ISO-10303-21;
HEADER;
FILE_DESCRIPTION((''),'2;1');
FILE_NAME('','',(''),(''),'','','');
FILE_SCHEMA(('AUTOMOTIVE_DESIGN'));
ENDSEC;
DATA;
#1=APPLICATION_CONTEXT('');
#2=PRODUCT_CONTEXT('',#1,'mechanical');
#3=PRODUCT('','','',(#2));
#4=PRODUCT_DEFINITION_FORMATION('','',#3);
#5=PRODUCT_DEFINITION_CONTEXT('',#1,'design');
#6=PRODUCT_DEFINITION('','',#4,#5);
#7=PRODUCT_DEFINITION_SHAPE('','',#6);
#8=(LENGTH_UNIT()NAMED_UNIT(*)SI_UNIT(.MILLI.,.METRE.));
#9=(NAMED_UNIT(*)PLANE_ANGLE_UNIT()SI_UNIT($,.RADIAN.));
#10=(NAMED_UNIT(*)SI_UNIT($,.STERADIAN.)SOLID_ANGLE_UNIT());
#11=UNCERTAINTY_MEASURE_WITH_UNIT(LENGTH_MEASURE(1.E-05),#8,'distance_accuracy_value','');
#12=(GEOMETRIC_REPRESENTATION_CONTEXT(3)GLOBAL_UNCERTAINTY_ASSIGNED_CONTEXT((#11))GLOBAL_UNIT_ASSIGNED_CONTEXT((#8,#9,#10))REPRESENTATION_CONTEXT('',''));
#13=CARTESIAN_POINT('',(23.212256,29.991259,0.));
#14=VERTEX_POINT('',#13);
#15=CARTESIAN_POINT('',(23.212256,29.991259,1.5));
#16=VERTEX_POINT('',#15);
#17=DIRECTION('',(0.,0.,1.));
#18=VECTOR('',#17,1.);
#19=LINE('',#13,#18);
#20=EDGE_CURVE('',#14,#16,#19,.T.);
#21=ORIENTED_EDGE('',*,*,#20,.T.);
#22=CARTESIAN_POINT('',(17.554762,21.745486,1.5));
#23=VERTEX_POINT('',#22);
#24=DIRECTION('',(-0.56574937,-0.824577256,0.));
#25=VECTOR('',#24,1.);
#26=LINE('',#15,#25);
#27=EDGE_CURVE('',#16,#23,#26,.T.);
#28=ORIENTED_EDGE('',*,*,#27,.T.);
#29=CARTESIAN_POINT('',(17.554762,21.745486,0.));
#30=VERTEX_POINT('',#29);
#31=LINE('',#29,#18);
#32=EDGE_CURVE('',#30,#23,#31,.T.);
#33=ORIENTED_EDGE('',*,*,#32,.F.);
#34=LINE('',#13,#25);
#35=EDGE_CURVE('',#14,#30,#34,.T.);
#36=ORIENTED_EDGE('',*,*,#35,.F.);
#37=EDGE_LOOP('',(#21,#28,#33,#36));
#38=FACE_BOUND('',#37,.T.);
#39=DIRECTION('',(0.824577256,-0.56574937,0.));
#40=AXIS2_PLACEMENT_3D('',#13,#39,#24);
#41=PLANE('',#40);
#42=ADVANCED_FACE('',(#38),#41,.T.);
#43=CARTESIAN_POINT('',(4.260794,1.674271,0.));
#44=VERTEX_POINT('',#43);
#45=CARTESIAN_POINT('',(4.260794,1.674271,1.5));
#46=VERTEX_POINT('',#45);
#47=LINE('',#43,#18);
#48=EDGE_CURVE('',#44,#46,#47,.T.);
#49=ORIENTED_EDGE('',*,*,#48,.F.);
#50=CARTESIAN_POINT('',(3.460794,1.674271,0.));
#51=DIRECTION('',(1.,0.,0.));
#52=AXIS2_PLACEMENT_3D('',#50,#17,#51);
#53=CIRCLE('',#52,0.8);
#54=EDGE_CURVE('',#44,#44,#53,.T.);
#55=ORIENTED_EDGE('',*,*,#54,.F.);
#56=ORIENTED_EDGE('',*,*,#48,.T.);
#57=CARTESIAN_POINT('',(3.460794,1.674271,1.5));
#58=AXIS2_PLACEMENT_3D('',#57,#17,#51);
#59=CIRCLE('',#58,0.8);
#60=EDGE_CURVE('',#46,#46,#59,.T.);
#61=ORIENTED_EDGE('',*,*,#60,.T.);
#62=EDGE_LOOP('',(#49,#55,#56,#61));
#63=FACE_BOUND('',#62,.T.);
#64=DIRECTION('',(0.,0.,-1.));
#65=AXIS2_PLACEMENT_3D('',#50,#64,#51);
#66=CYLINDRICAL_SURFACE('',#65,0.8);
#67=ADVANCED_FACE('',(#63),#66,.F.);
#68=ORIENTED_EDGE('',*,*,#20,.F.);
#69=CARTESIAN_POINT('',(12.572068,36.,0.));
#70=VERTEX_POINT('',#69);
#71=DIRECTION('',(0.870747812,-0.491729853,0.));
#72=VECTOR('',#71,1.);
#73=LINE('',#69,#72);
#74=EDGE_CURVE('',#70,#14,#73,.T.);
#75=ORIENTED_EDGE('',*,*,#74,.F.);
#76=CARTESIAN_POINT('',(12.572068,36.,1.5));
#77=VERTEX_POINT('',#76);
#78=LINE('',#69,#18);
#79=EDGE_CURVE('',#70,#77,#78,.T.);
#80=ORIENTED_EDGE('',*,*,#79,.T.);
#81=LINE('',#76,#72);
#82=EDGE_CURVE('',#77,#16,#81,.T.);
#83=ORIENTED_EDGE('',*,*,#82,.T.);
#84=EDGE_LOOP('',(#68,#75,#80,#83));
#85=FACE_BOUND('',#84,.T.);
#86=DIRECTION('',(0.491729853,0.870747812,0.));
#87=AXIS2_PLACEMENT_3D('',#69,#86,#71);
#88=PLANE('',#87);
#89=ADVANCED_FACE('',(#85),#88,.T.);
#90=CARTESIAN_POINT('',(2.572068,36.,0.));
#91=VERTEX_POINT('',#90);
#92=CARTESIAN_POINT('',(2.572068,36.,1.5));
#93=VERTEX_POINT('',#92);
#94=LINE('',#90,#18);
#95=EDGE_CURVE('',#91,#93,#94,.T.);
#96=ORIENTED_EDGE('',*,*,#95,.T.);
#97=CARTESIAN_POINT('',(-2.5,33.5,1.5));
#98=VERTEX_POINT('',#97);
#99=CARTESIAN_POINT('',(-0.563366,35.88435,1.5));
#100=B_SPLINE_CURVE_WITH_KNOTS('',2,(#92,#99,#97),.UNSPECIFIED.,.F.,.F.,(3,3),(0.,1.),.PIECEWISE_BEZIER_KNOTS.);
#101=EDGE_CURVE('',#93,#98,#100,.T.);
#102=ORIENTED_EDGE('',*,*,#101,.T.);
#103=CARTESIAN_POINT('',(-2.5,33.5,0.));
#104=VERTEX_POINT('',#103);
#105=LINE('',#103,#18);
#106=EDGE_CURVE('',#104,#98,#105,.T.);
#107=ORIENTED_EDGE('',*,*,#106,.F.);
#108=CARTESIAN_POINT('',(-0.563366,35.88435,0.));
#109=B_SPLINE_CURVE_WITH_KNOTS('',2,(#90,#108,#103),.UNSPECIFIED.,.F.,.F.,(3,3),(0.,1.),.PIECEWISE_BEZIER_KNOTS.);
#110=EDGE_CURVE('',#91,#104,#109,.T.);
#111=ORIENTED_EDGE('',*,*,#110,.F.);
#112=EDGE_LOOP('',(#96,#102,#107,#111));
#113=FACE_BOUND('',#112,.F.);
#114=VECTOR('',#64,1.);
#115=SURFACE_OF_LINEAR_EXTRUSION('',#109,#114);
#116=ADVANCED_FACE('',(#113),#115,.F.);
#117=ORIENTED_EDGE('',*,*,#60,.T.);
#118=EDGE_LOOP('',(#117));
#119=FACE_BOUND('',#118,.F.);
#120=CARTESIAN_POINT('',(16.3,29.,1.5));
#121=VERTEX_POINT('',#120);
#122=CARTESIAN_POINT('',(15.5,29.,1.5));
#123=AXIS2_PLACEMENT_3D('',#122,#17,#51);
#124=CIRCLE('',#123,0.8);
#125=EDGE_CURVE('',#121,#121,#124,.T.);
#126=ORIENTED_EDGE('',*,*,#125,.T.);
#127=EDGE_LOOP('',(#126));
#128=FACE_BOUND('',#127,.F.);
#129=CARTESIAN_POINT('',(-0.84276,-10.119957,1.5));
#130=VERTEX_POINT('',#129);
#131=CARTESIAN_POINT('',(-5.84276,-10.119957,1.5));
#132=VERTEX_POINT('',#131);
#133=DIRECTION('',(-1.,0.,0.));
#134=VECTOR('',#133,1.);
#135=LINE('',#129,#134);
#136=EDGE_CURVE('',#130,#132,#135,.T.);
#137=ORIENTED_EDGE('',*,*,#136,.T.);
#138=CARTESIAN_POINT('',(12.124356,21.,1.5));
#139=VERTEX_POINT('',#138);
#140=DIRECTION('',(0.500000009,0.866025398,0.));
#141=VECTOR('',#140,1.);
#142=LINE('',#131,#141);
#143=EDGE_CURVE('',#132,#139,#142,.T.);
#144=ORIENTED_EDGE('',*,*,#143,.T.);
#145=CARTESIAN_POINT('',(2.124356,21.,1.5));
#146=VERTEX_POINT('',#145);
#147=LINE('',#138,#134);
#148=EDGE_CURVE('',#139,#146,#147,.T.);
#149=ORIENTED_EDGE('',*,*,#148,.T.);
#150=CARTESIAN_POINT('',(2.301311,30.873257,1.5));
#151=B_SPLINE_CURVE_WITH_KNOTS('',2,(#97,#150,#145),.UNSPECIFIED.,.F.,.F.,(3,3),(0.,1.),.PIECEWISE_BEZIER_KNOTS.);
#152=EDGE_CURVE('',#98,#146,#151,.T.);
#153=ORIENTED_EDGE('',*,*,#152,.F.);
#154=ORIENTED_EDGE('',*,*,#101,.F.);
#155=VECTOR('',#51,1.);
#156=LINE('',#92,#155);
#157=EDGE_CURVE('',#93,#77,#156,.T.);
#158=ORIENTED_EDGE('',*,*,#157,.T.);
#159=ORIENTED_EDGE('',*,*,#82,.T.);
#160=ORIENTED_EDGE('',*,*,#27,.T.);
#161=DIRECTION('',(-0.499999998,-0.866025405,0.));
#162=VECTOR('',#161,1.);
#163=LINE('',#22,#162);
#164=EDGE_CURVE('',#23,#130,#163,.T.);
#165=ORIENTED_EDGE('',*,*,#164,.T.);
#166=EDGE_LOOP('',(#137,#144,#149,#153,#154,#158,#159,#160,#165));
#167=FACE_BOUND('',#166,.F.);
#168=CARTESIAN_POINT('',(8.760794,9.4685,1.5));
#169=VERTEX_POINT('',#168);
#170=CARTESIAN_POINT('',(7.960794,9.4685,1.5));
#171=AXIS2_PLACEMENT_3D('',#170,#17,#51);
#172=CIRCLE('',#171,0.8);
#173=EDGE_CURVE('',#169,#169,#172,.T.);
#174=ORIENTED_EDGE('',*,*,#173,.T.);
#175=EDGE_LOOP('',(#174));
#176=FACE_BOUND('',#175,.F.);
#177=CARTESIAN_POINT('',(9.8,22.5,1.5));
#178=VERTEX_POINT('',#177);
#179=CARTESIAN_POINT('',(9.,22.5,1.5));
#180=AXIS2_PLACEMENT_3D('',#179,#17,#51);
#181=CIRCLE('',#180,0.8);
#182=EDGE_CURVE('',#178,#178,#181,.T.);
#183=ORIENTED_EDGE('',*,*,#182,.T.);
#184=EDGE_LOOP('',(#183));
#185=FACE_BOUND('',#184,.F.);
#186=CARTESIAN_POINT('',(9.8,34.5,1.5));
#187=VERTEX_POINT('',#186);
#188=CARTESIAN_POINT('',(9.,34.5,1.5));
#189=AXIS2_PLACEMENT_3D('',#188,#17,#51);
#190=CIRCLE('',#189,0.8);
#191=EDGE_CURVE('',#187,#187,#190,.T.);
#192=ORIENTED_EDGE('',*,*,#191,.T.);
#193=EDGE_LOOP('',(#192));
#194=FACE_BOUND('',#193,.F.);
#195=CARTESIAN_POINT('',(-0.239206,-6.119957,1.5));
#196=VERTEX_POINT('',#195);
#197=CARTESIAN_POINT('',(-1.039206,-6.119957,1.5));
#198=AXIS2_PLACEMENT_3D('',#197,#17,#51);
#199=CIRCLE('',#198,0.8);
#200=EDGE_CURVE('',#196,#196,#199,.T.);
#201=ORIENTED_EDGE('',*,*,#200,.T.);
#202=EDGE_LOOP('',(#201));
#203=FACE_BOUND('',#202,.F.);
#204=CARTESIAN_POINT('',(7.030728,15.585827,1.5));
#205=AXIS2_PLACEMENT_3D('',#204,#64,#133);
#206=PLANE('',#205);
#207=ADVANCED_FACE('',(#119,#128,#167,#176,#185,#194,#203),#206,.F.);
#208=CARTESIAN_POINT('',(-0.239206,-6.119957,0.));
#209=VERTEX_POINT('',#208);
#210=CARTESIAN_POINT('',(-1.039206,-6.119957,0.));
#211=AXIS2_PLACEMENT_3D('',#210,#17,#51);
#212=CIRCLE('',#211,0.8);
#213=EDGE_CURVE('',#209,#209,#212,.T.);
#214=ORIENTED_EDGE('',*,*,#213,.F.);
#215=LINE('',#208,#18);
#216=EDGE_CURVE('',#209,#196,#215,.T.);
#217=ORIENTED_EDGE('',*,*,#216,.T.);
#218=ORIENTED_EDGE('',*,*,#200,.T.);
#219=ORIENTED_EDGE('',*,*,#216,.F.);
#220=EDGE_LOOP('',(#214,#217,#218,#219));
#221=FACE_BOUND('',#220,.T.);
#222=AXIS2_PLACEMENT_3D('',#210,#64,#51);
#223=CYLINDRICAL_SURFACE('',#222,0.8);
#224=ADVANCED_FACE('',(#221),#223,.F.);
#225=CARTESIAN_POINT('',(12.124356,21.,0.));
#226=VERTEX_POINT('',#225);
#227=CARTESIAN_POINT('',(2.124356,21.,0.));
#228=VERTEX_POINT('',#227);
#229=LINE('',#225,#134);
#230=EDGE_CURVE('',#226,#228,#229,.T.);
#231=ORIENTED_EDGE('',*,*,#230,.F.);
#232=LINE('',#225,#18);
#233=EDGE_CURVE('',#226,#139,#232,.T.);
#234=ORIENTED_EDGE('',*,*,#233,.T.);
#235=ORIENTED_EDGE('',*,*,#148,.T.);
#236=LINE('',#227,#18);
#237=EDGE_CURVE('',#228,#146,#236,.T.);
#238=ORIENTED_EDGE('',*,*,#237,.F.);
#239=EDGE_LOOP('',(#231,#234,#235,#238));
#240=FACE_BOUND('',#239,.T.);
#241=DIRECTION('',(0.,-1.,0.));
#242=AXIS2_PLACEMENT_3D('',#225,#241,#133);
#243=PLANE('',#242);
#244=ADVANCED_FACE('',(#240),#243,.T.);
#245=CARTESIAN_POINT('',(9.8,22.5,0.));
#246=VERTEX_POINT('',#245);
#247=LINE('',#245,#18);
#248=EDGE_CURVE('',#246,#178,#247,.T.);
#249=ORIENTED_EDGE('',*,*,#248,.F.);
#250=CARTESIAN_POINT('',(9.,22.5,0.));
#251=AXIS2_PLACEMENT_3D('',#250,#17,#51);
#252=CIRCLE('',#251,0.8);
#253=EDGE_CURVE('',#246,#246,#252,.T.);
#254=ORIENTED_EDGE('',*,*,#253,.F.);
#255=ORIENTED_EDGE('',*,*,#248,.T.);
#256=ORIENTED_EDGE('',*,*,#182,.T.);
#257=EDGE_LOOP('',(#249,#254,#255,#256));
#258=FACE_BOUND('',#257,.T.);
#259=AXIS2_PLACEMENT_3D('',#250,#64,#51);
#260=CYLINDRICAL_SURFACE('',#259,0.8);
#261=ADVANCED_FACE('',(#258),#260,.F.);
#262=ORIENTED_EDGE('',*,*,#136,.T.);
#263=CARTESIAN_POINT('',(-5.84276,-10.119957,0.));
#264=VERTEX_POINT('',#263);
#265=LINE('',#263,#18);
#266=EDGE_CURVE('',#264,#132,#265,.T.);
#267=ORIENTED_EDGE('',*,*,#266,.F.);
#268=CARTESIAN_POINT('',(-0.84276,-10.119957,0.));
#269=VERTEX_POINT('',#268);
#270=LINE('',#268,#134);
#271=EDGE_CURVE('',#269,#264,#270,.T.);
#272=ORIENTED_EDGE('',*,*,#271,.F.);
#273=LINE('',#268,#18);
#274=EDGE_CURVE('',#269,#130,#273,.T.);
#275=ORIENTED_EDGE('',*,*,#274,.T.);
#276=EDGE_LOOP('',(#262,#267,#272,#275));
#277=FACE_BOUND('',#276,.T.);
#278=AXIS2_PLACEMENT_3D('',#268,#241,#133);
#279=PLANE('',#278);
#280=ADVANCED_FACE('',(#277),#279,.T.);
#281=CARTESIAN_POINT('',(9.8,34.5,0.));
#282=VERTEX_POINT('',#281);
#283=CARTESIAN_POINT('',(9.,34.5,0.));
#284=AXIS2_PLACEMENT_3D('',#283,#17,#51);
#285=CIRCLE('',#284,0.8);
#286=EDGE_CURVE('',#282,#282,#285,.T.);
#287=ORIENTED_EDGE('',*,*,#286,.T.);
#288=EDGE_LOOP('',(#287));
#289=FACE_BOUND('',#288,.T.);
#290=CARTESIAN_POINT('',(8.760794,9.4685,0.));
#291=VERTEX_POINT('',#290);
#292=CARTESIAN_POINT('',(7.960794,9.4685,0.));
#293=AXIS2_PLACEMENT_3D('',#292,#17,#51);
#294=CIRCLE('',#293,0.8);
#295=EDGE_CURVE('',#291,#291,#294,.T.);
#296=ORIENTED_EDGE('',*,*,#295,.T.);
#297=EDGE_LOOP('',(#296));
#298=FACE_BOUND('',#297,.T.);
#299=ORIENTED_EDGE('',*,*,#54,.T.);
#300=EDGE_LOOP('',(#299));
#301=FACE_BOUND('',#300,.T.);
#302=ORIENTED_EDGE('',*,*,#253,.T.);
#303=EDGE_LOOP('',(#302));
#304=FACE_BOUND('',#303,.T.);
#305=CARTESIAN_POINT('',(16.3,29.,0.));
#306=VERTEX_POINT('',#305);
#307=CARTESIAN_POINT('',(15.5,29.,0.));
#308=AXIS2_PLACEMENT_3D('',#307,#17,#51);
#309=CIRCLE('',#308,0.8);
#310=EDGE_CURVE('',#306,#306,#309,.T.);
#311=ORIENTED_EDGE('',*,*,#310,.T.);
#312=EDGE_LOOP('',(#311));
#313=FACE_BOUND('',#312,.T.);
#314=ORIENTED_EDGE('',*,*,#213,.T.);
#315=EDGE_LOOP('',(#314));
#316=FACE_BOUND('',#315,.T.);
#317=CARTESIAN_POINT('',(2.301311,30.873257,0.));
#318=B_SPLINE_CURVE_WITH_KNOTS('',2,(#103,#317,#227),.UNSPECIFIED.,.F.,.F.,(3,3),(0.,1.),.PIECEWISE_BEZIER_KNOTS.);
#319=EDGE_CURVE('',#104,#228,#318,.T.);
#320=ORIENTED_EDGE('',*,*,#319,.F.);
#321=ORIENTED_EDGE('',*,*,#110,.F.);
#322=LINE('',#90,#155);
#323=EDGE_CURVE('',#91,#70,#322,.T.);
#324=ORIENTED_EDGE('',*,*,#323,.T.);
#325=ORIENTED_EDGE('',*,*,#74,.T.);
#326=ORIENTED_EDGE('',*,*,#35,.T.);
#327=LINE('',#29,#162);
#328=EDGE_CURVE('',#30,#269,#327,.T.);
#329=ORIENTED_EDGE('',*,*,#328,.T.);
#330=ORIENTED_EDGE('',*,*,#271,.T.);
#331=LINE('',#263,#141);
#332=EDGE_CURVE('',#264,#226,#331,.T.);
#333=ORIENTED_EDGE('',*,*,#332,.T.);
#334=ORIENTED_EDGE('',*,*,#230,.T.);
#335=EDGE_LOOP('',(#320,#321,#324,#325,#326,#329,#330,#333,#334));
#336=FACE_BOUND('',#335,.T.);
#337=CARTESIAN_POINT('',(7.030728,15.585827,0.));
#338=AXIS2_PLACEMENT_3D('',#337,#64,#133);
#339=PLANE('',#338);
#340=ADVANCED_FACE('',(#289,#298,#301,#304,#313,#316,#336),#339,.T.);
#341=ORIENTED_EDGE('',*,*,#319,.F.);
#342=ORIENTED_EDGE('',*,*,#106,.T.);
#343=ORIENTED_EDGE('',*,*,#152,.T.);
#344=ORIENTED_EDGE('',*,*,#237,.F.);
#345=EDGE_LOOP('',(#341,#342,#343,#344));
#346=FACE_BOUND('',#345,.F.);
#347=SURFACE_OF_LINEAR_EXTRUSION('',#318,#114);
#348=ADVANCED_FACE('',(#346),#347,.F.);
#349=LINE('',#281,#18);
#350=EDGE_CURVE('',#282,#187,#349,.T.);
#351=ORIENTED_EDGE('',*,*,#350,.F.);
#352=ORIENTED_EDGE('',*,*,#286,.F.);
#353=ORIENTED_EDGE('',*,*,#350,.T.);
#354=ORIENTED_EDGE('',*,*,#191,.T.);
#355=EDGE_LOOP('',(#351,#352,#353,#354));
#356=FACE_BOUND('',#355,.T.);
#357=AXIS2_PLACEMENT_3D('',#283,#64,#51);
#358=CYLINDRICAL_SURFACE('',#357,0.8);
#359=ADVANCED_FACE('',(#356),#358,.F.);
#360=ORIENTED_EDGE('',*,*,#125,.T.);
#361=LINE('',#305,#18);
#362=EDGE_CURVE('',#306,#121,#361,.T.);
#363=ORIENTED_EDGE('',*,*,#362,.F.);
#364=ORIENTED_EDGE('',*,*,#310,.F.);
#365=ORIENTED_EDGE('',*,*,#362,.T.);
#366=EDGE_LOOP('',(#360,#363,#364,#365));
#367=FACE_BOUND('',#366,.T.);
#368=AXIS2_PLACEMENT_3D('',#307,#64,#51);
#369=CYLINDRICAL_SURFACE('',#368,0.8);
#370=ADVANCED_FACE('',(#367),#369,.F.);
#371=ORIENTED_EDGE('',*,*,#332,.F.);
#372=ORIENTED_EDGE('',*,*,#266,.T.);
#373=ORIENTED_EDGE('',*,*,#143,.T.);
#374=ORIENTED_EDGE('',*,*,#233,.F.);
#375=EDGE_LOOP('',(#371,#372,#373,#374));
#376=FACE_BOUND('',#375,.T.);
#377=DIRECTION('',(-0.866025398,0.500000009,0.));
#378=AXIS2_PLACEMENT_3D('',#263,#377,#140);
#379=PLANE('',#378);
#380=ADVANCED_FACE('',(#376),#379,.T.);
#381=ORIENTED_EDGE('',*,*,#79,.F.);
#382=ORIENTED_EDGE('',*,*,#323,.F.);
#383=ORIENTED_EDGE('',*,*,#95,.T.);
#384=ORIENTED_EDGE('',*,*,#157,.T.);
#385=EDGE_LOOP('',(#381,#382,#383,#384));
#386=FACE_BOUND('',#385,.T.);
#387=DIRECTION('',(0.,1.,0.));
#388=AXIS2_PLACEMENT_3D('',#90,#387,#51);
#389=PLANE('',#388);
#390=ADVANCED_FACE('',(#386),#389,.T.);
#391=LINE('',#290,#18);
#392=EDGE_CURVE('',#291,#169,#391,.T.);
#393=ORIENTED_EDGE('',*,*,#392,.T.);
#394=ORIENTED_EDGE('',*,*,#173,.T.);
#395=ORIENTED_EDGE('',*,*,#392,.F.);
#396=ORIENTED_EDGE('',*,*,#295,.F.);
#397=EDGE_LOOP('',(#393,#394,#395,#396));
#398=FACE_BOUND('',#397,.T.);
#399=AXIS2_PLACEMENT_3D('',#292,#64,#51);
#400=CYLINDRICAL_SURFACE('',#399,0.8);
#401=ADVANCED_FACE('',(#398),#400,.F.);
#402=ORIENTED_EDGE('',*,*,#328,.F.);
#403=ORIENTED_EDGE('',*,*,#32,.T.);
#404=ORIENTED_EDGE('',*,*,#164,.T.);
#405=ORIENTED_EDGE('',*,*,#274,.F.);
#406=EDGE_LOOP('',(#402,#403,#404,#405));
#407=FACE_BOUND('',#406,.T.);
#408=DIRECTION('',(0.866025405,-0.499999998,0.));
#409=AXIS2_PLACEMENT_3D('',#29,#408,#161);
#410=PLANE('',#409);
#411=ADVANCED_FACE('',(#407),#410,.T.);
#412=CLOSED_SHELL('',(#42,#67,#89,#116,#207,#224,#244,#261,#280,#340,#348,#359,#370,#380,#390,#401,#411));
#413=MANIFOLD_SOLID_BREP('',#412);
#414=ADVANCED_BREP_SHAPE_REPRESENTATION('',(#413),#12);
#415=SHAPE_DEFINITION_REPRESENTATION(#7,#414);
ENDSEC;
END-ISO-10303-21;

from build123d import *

# Parameters (mm, degrees)
SKETCH_R  = 0.8
PAD_DEPTH = 1.5


with BuildPart() as part:
    # Sketch → Pad (new body)
    with BuildSketch(Plane.XY):
        with BuildLine():
            Line((12.124356, 21), (2.124356, 21))
            add(Edge.make_bspline(
                [(-2.5, 33.5), (2.301311, 30.873257), (2.124356, 21)],
                knots=[0, 0, 0, 1, 1, 1], degree=2))
            add(Edge.make_bspline(
                [(2.572068, 36), (-0.563366, 35.88435), (-2.5, 33.5)],
                knots=[0, 0, 0, 1, 1, 1], degree=2))
            Line((2.572068, 36), (12.572068, 36))
            Line((12.572068, 36), (23.212256, 29.991259))
            Line((23.212256, 29.991259), (17.554762, 21.745486))
            Line((17.554762, 21.745486), (-0.84276, -10.119957))
            Line((-0.84276, -10.119957), (-5.84276, -10.119957))
            Line((-5.84276, -10.119957), (12.124356, 21))
        make_face()
        with Locations((9, 22.5)):
            Circle(SKETCH_R, mode=Mode.SUBTRACT)
        with Locations((9, 34.5)):
            Circle(SKETCH_R, mode=Mode.SUBTRACT)
        with Locations((15.5, 29)):
            Circle(SKETCH_R, mode=Mode.SUBTRACT)
        with Locations((-1.039206, -6.119957)):
            Circle(SKETCH_R, mode=Mode.SUBTRACT)
        with Locations((7.960794, 9.4685)):
            Circle(SKETCH_R, mode=Mode.SUBTRACT)
        with Locations((3.460794, 1.674271)):
            Circle(SKETCH_R, mode=Mode.SUBTRACT)
    extrude(amount=PAD_DEPTH)


solid = part.part
